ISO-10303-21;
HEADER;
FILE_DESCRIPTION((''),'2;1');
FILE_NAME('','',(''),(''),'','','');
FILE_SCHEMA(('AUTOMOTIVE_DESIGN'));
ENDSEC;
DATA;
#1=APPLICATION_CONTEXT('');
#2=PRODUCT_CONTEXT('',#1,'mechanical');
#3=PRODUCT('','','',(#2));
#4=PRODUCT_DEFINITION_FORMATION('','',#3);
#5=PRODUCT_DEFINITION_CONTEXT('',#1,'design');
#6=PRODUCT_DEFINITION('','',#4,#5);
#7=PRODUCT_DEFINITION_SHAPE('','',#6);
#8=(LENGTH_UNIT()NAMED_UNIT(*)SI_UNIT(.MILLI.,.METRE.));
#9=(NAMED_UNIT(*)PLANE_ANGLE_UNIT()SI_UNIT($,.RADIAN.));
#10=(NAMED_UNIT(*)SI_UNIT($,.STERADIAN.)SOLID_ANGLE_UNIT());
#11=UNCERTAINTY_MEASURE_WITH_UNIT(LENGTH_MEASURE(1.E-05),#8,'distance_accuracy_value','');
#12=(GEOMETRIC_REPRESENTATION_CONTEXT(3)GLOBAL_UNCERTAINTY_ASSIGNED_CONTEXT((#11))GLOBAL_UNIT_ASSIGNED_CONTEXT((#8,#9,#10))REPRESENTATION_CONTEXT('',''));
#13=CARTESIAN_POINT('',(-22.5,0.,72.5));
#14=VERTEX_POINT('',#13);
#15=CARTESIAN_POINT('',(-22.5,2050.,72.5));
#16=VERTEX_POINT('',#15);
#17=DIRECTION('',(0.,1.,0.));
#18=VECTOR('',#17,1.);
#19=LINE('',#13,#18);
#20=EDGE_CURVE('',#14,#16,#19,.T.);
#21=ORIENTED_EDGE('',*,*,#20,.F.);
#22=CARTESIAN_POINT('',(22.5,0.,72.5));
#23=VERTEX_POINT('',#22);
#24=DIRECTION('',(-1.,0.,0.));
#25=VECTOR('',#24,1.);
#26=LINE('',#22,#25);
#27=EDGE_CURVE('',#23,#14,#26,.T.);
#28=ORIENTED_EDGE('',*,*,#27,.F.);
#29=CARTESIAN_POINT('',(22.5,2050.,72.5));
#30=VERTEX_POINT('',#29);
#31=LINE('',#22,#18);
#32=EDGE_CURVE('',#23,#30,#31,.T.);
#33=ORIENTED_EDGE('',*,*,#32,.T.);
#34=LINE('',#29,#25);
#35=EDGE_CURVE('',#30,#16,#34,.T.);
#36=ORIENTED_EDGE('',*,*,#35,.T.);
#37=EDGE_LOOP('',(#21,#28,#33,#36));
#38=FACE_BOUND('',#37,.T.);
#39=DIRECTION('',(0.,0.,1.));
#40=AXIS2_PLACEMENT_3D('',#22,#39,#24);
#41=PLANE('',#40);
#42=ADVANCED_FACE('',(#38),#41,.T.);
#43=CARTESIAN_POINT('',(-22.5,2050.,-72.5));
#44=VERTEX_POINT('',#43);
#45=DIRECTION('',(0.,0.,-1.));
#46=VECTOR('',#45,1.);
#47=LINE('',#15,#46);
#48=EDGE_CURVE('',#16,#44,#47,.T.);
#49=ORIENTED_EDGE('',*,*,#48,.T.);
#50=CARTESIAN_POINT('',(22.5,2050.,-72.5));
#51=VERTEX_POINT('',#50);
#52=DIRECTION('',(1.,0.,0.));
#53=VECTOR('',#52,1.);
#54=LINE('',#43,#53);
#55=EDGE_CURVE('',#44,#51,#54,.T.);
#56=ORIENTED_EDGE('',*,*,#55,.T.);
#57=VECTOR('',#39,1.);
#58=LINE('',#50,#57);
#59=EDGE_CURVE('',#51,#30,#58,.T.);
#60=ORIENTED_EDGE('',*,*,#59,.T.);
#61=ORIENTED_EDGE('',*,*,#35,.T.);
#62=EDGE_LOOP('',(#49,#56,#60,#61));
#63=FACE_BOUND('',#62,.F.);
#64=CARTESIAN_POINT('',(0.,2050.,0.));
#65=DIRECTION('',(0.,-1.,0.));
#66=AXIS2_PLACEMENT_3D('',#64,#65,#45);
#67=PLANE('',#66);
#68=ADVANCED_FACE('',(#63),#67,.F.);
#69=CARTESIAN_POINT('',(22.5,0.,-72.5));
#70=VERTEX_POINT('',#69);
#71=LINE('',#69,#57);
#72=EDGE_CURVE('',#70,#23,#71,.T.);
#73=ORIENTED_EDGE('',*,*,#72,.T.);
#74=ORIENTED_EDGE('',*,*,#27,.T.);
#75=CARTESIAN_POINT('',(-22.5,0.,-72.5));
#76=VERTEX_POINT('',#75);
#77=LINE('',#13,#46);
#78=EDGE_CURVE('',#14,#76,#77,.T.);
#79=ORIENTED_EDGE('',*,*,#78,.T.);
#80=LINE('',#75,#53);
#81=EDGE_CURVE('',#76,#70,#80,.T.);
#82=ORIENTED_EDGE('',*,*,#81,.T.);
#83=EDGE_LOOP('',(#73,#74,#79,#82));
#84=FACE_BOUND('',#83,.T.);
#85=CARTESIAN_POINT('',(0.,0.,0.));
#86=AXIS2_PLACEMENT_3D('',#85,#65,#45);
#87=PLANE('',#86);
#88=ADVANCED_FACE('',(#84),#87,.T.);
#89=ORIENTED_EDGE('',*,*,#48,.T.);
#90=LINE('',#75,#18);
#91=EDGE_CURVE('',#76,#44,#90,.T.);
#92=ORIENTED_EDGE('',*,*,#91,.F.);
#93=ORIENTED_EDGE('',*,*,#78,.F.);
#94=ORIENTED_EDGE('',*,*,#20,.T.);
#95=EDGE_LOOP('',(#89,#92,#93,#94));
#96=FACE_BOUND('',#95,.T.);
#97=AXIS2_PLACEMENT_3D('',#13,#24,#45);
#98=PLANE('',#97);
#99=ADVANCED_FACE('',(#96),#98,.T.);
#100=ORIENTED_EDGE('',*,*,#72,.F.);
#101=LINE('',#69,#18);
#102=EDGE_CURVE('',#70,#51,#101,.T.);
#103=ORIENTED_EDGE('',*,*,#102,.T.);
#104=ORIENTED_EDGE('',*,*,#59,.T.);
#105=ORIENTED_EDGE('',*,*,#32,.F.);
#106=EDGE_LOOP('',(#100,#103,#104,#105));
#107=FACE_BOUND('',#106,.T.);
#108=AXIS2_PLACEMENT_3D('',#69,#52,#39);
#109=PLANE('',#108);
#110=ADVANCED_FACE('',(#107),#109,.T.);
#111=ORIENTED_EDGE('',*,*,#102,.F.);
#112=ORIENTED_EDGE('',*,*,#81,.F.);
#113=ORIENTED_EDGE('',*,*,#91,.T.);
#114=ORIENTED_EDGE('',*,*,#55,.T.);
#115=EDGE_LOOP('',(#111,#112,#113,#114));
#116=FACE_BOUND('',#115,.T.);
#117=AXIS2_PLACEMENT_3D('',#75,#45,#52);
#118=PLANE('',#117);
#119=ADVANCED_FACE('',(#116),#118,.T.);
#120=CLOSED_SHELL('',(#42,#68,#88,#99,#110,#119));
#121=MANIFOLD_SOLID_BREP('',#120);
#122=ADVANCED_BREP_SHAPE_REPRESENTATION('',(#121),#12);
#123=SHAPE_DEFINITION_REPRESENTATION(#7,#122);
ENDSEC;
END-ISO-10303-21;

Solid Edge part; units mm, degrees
sketch "Sketch1" plane through (0, 0, 0) normal (0, -1, 0) x (1, 0, 0)
  line L0 (-22.5, -72.5) -> (22.5, -72.5)
  line L1 (22.5, -72.5) -> (22.5, 72.5)
  line L2 (22.5, 72.5) -> (-22.5, 72.5)
  line L3 (-22.5, 72.5) -> (-22.5, -72.5)
extrude "Protrusion1" add sketch "Sketch1" against normal blind 2050
properties material "Wood, Pine"
